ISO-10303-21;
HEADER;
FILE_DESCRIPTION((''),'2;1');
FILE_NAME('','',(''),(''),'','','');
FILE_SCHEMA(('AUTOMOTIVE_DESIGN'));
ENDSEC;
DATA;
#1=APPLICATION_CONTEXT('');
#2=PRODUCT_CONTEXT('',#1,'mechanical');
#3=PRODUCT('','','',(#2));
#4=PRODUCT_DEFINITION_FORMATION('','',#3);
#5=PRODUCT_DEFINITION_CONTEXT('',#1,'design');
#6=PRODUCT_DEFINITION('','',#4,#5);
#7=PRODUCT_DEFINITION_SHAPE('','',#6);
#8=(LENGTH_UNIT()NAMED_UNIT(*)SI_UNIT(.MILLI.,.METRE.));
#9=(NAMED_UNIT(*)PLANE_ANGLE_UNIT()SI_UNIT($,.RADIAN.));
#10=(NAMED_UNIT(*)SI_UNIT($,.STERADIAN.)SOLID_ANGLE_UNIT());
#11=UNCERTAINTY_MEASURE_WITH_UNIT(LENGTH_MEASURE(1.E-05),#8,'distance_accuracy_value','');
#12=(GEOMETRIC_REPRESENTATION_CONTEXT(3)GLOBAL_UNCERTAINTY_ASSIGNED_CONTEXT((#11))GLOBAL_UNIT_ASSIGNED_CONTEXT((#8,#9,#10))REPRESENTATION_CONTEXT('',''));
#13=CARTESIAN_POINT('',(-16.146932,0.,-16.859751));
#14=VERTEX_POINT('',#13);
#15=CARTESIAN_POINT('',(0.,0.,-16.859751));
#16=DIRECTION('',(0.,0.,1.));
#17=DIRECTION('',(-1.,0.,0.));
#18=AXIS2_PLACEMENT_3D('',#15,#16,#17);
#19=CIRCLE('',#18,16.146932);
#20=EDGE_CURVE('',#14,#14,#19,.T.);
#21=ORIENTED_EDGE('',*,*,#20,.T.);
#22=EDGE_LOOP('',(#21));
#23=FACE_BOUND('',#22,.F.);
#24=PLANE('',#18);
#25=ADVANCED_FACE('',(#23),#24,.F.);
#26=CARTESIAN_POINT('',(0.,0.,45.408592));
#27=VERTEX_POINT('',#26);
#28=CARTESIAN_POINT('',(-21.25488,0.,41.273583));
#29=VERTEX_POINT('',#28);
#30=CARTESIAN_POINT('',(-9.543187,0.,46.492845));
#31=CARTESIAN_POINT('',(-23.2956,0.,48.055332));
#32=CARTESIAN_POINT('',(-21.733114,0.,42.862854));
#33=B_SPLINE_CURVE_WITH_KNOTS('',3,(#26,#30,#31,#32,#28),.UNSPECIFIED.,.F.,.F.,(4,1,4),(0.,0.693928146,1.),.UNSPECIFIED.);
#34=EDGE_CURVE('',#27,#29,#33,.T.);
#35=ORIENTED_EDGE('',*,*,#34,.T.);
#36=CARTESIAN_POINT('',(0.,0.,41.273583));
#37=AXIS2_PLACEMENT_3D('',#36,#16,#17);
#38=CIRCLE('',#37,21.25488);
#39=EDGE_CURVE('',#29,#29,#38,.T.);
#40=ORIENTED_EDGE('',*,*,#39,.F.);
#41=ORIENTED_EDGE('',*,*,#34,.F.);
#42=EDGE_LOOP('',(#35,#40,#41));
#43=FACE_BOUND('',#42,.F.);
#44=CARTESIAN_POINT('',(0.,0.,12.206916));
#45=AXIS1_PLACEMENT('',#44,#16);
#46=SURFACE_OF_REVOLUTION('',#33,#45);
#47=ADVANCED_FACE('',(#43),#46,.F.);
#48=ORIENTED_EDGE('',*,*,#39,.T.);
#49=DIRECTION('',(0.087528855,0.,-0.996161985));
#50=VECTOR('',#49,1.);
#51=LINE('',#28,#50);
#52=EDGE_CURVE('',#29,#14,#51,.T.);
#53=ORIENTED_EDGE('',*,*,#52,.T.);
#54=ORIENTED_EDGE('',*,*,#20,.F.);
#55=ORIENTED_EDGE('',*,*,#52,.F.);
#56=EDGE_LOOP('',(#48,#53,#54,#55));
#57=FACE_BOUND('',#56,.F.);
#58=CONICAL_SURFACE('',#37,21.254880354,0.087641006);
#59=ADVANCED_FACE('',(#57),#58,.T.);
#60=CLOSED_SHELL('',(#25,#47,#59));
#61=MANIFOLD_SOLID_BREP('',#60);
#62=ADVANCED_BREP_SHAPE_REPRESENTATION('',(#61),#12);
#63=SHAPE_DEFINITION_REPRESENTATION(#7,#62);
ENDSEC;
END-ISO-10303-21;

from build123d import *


with BuildPart() as f1:
    # F0 (on Front) → F1 (revolve)
    with BuildSketch(Plane.XZ):
        Polygon((0, 41.2735827267), (-21.2548803538, 41.2735827267), (-16.1469317973, -16.8597511947), (0, -16.8597511947), align=None)
        with BuildLine():
            Line((0, 41.2735827267), (0, 45.4085916281))
            add(Edge.make_bspline(
                [(0, 45.4085916281), (-9.543186736, 46.492845069), (-23.2956001477, 48.0553316863), (-21.7331135303, 42.8628540009), (-21.2548803538, 41.2735827267)],
                knots=[0, 0, 0, 0, 0.6939281456, 1, 1, 1, 1], degree=3))
            Line((-21.2548803538, 41.2735827267), (0, 41.2735827267))
        make_face()
    revolve(axis=Axis((0, 0, 12.206915766), (0, 0, 1)))


solid = f1.part
